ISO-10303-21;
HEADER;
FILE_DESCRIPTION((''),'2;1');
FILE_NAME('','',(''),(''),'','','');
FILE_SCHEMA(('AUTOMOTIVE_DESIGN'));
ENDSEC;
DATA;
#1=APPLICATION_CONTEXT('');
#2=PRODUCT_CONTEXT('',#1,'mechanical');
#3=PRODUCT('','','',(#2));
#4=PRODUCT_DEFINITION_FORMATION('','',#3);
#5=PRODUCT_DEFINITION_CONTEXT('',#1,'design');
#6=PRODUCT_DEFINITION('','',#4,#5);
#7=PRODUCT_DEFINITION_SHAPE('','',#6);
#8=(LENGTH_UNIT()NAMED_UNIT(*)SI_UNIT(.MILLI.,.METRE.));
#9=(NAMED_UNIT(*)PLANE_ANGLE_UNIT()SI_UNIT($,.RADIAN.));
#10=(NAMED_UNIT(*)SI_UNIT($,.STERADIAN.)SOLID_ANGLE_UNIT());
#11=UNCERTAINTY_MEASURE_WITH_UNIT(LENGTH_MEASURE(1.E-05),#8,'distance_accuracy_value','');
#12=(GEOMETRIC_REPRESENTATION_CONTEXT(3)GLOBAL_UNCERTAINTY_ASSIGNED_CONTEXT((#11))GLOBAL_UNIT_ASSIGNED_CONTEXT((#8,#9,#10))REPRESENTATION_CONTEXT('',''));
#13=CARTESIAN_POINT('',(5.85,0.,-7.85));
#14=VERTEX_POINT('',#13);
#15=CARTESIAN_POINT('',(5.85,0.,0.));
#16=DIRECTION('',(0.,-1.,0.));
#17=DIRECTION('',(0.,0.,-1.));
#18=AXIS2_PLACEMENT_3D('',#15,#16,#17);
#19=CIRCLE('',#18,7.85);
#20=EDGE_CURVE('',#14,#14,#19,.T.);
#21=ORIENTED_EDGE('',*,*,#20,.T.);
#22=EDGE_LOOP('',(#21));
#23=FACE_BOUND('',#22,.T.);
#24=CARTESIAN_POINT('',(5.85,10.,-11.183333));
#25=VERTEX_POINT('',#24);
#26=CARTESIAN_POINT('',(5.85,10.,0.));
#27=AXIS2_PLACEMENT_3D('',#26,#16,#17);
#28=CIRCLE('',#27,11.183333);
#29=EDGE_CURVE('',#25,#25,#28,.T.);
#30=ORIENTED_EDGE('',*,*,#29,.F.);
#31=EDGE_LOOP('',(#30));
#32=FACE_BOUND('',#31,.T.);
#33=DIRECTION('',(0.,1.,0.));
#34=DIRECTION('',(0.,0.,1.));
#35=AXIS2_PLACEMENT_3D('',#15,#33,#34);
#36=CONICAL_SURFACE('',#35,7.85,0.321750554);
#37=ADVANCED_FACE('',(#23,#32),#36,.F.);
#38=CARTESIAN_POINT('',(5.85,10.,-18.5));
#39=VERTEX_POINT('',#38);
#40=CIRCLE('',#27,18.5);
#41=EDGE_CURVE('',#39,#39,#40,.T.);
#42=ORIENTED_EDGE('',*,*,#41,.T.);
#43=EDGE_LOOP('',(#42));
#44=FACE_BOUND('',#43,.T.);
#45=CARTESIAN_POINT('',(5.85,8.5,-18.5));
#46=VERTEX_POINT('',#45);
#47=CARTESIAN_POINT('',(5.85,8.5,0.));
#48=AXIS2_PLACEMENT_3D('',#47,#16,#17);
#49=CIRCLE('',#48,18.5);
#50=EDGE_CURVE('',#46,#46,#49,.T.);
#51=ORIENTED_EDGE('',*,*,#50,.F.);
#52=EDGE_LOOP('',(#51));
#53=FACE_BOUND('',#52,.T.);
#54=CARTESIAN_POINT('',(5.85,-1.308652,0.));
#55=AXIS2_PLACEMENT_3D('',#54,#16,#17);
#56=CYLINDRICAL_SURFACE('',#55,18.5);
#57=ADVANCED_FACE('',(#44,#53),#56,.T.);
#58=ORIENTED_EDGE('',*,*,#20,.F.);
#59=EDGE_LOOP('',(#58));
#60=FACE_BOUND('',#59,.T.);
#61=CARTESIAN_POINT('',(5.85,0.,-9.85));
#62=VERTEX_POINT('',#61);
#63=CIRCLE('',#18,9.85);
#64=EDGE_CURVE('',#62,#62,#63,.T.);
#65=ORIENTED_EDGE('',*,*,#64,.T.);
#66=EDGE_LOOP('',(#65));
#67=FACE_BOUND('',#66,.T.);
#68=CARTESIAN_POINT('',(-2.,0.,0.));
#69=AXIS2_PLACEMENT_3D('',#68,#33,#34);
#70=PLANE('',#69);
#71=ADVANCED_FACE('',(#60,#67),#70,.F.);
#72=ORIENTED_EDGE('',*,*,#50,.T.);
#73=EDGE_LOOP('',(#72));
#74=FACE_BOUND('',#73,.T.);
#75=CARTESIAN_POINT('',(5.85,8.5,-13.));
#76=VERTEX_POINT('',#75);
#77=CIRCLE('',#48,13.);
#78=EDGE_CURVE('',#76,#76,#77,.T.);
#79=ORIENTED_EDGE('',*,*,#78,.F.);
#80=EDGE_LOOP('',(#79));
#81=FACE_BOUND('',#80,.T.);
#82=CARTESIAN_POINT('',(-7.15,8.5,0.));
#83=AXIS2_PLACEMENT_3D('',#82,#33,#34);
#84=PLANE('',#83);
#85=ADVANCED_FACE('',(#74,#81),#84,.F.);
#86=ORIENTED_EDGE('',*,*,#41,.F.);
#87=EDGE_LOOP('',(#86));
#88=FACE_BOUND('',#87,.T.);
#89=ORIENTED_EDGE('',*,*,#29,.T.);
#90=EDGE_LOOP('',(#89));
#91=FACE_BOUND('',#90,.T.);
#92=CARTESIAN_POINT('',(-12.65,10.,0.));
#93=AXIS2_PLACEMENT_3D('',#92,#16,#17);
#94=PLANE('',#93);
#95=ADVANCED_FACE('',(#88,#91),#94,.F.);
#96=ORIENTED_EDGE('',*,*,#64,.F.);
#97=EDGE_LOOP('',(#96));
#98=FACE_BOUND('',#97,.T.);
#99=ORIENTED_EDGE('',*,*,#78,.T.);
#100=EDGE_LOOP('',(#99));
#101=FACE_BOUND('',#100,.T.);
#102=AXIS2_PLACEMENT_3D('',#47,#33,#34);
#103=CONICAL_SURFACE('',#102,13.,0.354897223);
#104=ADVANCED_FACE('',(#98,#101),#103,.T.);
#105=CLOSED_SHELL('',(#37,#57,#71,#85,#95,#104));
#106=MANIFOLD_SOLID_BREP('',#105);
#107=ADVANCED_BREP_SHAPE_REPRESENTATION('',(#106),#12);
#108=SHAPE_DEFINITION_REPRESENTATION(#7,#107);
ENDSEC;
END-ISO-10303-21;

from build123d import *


with BuildPart() as part:
    # Sketch1 → Revolve1 (revolve)
    with BuildSketch(Plane.XY):
        Polygon((-2, 0), (-4, 0), (-7.15, 8.5), (-12.65, 8.5), (-12.65, 10), (-5.333333333, 10), align=None)
    revolve(axis=Axis((5.85, -1.308652139, 0), (0, 1, 0)))


solid = part.part
